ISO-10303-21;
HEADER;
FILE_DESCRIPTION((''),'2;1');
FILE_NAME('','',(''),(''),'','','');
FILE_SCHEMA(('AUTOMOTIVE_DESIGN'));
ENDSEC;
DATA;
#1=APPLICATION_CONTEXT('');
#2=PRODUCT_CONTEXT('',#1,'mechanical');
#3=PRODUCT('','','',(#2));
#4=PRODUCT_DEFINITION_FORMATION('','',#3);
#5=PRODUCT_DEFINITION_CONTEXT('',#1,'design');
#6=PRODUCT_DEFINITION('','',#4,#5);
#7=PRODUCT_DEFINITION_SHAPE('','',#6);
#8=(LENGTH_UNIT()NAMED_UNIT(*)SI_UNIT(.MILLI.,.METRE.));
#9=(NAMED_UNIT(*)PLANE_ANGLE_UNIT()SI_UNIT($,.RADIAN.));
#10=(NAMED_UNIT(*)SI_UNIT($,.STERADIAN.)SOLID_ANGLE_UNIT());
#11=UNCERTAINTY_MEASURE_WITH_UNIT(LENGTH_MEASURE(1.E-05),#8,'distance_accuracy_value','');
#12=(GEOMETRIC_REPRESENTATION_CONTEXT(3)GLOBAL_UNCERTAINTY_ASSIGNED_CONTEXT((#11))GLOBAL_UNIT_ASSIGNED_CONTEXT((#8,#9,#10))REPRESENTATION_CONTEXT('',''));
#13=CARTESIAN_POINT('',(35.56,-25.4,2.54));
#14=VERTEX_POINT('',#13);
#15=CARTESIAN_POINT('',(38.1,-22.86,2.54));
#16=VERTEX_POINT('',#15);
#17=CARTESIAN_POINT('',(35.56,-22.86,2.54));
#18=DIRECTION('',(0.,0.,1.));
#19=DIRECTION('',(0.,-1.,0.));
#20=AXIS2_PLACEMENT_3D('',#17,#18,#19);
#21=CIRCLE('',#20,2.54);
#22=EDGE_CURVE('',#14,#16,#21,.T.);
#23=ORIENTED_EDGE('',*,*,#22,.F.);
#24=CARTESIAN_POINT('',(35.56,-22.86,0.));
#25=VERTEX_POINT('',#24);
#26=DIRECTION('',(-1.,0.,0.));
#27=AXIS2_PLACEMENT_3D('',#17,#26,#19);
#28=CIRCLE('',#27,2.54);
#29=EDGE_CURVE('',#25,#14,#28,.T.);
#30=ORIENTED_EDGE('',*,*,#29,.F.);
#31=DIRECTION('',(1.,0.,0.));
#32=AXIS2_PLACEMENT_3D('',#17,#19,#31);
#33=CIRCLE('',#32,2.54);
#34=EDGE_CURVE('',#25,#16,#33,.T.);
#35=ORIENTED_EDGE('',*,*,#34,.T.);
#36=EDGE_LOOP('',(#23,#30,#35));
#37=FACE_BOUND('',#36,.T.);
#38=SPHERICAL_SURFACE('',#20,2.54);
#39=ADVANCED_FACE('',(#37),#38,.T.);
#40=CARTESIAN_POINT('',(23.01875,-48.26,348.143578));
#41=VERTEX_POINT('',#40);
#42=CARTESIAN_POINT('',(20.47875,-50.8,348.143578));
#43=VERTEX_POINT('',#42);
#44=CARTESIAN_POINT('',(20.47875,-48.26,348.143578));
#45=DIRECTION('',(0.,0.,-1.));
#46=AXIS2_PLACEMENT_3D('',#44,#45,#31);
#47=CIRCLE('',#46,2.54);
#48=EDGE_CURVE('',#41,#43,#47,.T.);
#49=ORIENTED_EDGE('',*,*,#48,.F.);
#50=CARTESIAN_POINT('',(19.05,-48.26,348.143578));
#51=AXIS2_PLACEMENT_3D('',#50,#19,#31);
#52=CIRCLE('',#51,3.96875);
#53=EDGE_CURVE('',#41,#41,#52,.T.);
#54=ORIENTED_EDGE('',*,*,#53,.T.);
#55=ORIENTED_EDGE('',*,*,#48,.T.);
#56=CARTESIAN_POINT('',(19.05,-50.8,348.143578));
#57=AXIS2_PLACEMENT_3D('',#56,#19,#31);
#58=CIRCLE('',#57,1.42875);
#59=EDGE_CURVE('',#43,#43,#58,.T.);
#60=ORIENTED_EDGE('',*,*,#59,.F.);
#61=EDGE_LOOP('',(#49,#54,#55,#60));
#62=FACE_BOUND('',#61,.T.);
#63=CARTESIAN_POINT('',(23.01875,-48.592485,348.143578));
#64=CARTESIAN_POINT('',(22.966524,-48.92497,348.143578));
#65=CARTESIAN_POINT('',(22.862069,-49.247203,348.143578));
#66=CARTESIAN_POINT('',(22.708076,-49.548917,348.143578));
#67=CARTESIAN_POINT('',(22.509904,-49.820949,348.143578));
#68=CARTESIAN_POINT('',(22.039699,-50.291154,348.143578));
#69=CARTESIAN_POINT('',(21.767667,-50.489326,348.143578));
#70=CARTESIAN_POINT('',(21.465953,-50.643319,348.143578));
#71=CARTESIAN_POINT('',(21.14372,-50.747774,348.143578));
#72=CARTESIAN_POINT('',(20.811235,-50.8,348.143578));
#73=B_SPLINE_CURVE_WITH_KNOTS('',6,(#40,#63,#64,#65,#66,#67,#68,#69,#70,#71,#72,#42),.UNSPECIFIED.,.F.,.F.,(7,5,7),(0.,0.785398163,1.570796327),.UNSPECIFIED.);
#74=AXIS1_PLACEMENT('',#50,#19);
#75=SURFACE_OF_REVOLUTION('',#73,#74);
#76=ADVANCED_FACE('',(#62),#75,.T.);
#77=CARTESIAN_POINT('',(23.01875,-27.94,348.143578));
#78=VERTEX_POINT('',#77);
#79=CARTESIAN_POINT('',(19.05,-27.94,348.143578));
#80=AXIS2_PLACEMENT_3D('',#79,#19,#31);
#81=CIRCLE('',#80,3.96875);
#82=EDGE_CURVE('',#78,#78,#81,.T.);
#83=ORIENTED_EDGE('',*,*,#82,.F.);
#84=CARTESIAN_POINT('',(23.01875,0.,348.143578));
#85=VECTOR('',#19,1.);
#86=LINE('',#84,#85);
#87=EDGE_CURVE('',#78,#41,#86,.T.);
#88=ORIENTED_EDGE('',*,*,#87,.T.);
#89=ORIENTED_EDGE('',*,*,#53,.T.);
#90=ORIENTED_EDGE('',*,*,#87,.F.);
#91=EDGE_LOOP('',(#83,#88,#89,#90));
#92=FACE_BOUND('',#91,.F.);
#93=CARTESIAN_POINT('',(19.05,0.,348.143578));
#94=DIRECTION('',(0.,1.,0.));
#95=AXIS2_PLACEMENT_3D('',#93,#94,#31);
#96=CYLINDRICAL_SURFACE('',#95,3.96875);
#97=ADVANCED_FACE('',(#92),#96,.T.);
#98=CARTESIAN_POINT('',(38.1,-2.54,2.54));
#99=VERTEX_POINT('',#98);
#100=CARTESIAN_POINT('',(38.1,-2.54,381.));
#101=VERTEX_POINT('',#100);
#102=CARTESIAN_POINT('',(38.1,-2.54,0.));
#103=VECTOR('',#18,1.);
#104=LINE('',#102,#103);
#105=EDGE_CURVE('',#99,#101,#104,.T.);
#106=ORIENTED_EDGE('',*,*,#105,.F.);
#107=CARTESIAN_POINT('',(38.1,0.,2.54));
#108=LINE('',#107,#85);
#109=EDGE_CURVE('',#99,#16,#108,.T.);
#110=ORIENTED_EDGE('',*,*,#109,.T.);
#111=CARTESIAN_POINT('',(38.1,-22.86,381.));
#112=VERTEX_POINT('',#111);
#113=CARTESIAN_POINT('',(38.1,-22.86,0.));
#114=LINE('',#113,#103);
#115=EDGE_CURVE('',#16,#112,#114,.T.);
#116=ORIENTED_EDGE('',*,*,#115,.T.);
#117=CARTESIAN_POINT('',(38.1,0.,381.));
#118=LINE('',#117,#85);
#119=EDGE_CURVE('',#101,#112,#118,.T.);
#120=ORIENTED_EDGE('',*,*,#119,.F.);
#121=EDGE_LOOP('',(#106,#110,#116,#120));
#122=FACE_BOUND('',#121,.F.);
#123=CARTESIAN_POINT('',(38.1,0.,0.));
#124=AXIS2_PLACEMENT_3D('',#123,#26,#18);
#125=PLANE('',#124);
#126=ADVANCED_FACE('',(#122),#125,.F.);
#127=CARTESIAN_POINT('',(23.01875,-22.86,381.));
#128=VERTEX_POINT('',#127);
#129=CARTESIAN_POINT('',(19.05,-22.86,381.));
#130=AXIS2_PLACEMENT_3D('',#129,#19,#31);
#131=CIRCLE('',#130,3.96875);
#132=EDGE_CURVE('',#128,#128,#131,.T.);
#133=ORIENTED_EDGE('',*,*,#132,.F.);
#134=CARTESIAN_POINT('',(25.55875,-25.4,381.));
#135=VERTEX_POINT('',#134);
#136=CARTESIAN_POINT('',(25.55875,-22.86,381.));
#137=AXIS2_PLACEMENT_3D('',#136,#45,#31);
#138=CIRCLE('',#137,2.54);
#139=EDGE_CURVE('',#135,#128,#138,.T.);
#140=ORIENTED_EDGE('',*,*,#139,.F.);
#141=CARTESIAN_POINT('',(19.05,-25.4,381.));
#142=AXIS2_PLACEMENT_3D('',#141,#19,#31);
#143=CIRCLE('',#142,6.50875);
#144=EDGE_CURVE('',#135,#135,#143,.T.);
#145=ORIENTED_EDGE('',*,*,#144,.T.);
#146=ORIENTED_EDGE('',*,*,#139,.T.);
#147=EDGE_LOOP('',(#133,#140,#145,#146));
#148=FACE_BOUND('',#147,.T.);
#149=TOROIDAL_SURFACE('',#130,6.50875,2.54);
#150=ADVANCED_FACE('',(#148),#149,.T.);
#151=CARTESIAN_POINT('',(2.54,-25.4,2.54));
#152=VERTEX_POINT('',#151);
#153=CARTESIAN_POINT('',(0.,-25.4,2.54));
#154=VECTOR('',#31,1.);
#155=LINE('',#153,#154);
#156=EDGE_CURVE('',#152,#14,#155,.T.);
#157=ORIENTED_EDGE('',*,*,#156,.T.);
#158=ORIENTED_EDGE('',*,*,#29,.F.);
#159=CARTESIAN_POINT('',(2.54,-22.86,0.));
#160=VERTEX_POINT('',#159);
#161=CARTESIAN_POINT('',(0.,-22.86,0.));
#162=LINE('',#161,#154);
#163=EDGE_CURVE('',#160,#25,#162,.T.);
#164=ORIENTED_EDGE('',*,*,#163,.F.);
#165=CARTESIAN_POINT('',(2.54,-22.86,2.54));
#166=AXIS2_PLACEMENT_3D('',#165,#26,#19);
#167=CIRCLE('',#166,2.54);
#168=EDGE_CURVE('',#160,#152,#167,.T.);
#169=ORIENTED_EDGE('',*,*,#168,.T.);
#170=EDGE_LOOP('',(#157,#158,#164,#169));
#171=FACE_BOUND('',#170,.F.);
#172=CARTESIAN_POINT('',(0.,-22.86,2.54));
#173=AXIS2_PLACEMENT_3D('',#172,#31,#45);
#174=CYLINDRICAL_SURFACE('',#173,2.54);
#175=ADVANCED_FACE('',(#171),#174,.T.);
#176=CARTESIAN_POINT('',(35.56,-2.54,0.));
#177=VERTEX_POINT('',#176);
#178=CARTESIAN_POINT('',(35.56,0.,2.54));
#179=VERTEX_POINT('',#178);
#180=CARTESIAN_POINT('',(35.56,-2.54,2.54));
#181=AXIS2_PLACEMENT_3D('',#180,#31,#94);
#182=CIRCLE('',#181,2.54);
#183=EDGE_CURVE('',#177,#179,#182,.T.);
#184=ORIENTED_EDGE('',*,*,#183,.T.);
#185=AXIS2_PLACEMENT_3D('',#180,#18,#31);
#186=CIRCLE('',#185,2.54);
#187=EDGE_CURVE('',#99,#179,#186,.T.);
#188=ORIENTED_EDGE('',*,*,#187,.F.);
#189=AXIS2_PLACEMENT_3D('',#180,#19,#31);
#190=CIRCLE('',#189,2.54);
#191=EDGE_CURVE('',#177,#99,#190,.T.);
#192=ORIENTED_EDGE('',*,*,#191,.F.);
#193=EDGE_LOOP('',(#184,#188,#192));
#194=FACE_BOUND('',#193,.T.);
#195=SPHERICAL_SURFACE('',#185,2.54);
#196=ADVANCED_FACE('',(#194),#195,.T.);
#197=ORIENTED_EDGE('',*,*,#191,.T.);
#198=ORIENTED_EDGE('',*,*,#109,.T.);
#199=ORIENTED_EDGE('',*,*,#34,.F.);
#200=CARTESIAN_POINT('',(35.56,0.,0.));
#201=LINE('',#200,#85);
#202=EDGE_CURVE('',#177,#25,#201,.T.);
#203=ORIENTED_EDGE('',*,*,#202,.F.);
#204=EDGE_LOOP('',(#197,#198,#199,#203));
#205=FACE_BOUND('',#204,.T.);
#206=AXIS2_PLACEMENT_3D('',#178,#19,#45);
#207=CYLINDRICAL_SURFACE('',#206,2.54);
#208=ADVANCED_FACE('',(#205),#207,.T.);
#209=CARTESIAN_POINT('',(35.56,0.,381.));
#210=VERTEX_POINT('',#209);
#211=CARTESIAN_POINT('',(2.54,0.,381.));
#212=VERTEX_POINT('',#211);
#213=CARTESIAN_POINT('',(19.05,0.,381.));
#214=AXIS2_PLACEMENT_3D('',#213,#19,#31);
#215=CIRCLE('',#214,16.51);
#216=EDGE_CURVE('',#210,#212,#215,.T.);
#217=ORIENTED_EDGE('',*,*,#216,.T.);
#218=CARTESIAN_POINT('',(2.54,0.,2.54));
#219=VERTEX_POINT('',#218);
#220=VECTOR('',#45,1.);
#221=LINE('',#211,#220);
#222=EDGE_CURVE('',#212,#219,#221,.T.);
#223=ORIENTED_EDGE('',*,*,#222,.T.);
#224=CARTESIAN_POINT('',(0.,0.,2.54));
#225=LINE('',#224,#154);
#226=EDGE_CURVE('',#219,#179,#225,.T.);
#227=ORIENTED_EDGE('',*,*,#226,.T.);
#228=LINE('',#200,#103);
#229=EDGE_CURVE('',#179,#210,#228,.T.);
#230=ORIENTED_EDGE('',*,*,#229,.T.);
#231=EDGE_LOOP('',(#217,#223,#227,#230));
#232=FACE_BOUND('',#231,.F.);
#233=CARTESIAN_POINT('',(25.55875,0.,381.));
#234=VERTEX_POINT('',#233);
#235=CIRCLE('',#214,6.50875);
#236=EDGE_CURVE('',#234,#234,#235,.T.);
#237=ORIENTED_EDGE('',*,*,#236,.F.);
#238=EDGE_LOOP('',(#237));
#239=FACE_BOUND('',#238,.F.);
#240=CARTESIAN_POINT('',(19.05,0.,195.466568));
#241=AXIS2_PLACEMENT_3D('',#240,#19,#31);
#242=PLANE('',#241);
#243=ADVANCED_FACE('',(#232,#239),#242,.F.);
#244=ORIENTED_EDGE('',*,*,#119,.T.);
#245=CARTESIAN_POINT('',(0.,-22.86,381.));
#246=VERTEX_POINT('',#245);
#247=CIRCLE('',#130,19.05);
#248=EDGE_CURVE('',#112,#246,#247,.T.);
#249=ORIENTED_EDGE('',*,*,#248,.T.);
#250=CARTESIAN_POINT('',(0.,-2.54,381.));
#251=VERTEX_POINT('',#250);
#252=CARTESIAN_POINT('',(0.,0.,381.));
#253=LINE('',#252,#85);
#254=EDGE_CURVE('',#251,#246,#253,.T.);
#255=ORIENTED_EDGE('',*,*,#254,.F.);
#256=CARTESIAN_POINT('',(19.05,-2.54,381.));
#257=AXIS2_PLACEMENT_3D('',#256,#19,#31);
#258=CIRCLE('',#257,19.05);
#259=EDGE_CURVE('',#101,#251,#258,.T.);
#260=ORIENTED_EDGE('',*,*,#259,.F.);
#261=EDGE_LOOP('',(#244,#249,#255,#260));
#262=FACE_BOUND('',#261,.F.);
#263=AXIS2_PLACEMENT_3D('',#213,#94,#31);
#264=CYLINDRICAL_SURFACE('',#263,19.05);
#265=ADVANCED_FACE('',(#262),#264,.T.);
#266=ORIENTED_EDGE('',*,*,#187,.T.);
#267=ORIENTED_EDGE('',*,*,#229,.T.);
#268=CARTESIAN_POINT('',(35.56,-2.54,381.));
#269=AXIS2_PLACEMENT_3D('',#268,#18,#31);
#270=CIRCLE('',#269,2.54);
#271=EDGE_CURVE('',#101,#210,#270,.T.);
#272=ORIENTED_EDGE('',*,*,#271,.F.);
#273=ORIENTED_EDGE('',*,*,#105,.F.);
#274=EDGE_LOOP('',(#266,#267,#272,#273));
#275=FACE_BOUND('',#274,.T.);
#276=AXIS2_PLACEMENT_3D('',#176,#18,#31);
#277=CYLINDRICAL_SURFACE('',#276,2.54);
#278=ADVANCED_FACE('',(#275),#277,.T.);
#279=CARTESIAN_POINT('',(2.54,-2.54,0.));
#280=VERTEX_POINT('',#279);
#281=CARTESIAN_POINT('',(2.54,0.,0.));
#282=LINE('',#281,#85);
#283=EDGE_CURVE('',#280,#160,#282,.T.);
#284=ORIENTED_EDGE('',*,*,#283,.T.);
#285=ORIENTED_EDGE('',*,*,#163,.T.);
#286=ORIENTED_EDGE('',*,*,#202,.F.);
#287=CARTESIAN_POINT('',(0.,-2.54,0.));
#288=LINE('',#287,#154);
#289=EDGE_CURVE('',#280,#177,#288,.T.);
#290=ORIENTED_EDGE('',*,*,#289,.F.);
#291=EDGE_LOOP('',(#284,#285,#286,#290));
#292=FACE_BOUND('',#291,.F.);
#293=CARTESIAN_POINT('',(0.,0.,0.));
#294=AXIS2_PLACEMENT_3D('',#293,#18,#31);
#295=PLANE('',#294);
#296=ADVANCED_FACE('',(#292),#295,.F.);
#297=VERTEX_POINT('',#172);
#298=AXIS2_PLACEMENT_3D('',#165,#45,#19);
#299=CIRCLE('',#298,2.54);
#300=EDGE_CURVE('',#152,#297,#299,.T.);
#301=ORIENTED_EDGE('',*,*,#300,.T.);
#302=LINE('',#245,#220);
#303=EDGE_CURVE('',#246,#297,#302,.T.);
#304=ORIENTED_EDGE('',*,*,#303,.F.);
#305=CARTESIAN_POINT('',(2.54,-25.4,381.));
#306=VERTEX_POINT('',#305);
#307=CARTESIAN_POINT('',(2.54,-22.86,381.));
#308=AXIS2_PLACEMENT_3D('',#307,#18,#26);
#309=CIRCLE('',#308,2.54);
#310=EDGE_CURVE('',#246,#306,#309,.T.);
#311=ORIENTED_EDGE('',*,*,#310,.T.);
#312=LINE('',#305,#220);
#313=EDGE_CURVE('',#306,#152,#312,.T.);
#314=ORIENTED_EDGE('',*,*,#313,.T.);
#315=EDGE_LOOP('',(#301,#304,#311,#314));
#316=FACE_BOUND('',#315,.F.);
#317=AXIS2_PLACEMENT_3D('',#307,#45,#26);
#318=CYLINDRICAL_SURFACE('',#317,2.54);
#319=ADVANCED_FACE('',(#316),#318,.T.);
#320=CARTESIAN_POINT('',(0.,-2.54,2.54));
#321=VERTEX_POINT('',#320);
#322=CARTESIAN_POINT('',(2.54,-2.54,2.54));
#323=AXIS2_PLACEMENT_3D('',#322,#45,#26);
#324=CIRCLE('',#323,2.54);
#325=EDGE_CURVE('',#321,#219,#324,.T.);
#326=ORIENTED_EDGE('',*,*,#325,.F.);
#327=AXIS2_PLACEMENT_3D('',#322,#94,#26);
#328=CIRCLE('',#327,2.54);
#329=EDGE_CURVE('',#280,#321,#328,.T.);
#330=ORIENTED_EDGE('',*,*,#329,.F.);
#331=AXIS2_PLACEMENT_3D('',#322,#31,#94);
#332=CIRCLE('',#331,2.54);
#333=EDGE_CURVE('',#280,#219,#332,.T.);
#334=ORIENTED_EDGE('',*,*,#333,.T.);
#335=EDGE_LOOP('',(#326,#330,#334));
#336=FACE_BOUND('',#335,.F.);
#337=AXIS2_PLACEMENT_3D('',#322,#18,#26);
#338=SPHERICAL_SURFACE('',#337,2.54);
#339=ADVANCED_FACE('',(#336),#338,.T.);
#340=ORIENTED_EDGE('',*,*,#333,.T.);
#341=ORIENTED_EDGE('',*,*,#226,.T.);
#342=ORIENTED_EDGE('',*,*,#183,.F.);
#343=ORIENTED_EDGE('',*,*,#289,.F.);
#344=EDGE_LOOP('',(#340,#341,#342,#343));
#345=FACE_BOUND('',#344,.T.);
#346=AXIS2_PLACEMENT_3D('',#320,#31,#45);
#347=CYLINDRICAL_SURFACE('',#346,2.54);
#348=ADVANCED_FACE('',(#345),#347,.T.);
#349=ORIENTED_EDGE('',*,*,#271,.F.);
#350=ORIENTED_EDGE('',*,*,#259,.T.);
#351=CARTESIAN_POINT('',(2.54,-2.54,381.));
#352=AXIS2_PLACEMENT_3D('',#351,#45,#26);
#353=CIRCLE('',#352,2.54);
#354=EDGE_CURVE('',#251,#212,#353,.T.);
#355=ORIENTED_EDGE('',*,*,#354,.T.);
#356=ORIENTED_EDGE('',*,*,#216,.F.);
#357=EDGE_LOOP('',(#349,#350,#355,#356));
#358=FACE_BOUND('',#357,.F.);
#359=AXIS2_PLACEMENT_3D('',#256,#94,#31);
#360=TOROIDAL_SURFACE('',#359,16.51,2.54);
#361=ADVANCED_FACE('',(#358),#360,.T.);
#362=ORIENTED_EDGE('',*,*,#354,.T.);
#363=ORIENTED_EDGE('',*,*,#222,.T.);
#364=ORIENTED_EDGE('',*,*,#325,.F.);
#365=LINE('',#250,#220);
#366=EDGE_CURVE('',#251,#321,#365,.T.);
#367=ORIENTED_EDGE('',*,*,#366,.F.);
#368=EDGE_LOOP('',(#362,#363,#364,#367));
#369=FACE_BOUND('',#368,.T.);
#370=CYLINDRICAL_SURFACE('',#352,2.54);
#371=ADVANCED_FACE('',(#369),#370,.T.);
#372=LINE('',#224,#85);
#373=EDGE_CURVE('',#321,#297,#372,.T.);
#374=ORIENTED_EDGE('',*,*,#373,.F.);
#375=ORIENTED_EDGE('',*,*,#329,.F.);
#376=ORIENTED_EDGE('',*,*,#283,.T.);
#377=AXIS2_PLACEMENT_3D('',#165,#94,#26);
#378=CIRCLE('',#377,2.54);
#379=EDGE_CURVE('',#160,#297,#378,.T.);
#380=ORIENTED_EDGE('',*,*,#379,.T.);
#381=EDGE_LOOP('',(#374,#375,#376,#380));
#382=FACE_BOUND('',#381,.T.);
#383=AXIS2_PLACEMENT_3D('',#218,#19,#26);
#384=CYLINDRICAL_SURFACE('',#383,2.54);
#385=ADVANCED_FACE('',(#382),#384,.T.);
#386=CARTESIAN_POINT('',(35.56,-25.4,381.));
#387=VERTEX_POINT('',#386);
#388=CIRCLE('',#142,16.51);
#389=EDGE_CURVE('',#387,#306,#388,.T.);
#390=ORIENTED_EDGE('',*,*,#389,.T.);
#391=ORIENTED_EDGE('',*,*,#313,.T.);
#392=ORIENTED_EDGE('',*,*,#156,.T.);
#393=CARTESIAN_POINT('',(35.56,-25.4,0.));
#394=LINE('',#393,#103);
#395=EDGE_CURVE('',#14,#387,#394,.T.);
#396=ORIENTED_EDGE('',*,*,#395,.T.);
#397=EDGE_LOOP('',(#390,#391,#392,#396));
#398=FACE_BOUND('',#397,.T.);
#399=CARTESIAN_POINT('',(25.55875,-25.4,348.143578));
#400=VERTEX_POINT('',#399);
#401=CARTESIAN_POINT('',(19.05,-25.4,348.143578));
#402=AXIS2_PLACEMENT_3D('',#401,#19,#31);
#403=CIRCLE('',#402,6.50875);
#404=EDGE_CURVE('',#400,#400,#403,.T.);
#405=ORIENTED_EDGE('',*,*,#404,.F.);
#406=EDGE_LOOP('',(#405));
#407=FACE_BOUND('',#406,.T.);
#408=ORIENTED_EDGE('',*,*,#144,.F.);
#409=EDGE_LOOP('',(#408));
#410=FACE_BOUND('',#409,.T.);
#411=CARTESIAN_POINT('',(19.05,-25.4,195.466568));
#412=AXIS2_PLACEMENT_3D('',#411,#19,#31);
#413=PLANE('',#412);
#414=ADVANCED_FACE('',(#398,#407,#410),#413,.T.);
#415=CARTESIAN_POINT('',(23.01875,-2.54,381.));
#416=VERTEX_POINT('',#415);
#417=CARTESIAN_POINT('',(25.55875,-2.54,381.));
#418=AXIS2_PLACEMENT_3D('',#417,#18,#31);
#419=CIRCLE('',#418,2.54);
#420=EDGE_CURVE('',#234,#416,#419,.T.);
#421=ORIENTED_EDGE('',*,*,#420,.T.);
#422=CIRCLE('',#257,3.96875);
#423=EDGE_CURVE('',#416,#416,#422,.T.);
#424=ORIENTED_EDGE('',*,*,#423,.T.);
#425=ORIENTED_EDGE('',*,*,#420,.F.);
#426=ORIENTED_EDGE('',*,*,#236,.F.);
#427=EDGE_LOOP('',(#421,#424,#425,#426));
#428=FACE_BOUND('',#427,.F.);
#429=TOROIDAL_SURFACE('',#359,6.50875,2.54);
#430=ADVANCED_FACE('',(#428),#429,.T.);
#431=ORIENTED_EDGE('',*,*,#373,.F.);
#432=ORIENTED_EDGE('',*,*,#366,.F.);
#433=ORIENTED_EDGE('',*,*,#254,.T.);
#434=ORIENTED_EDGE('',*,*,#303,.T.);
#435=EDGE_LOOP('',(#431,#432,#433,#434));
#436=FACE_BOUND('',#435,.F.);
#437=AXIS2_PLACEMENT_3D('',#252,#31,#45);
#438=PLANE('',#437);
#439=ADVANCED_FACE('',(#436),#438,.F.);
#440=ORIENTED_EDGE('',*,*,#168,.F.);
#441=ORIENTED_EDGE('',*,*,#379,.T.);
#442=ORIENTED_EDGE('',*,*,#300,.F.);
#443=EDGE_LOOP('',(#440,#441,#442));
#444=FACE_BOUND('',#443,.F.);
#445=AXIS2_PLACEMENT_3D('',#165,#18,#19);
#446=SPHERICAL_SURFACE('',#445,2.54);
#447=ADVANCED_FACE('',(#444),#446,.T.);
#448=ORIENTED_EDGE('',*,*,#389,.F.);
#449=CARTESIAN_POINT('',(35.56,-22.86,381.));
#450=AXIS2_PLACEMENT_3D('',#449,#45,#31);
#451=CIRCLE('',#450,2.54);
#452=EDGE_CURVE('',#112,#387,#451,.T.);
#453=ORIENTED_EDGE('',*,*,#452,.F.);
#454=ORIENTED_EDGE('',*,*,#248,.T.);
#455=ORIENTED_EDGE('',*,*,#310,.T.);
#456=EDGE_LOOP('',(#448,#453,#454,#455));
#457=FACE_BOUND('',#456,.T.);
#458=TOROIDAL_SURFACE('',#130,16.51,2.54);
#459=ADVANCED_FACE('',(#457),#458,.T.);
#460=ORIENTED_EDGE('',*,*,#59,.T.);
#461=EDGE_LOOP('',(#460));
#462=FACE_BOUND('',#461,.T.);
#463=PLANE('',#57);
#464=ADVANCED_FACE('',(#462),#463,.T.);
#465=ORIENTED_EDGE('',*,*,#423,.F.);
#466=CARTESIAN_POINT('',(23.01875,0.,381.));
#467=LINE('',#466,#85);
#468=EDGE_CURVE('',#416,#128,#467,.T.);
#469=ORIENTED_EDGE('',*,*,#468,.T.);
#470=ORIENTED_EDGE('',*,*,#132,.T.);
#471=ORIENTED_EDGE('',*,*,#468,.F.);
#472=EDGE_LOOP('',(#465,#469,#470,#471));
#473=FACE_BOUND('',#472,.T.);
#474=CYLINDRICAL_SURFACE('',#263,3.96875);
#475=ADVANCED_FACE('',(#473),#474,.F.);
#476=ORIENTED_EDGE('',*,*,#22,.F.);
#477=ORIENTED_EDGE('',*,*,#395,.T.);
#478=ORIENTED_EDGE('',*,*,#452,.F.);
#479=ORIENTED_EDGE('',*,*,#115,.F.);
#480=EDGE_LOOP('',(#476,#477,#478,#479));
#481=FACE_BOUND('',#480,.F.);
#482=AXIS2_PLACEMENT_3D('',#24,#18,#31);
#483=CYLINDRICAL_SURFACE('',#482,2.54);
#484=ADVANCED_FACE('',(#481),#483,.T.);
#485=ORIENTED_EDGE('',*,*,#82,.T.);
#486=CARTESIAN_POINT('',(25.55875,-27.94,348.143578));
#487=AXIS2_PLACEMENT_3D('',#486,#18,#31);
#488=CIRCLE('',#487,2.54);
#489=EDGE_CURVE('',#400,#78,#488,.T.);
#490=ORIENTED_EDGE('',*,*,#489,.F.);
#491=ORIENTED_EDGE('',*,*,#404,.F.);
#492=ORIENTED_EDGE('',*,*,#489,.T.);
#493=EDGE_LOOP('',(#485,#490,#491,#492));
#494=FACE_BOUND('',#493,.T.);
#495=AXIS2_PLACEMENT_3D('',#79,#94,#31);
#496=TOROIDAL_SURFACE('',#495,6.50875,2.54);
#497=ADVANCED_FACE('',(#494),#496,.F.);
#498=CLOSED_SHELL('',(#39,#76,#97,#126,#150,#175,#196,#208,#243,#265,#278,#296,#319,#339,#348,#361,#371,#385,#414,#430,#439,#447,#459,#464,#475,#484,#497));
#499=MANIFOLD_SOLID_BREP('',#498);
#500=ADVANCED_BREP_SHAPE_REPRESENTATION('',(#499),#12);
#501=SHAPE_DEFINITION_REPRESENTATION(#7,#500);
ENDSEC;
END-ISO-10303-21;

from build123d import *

# Parameters (mm, degrees)
F0_R     = 3.96875
F1_DEPTH = 50.8
F2_DEPTH = 25.4
F3_R     = 2.54


with BuildPart() as f1:
    # F0 (on Front) → F1 (new body)
    with BuildSketch(Plane.XZ):
        with Locations((19.05, 348.1435775757)):
            Circle(F0_R)
    extrude(amount=F1_DEPTH)

    # F0 (on Front) → F2 (join)
    with BuildSketch(Plane.XZ):
        with BuildLine():
            Line((0, 381), (0, 0))
            Line((0, 0), (38.1, 0))
            Line((38.1, 0), (38.1, 381))
            ThreePointArc((38.1, 381), (19.05, 400.05), (0, 381))
        make_face()
        with Locations((19.05, 348.1435775757)):
            Circle(F0_R, mode=Mode.SUBTRACT)
        with Locations((19.05, 381)):
            Circle(F0_R, mode=Mode.SUBTRACT)
    extrude(amount=F2_DEPTH)

    # F3
    f3_edges = [f1.edges().sort_by_distance(p)[0] for p in [
        (15.08125, -25.4, 348.143578),
        (23.01875, -38.1, 348.143578),
        (15.08125, -50.8, 348.143578),
        (19.05, -25.4, 400.05),
        (0, -25.4, 190.5),
        (19.05, -25.4, 0),
        (38.1, -25.4, 190.5),
        (15.08125, -25.4, 381),
        (38.1, -12.7, 381),
        (0, -12.7, 381),
        (19.05, 0, 400.05),
        (0, -12.7, 0),
        (0, 0, 190.5),
        (23.01875, -12.7, 381),
        (15.08125, 0, 381),
        (38.1, -12.7, 0),
        (38.1, 0, 190.5),
        (19.05, 0, 0),
    ]]
    fillet(f3_edges, radius=F3_R)


solid = f1.part
